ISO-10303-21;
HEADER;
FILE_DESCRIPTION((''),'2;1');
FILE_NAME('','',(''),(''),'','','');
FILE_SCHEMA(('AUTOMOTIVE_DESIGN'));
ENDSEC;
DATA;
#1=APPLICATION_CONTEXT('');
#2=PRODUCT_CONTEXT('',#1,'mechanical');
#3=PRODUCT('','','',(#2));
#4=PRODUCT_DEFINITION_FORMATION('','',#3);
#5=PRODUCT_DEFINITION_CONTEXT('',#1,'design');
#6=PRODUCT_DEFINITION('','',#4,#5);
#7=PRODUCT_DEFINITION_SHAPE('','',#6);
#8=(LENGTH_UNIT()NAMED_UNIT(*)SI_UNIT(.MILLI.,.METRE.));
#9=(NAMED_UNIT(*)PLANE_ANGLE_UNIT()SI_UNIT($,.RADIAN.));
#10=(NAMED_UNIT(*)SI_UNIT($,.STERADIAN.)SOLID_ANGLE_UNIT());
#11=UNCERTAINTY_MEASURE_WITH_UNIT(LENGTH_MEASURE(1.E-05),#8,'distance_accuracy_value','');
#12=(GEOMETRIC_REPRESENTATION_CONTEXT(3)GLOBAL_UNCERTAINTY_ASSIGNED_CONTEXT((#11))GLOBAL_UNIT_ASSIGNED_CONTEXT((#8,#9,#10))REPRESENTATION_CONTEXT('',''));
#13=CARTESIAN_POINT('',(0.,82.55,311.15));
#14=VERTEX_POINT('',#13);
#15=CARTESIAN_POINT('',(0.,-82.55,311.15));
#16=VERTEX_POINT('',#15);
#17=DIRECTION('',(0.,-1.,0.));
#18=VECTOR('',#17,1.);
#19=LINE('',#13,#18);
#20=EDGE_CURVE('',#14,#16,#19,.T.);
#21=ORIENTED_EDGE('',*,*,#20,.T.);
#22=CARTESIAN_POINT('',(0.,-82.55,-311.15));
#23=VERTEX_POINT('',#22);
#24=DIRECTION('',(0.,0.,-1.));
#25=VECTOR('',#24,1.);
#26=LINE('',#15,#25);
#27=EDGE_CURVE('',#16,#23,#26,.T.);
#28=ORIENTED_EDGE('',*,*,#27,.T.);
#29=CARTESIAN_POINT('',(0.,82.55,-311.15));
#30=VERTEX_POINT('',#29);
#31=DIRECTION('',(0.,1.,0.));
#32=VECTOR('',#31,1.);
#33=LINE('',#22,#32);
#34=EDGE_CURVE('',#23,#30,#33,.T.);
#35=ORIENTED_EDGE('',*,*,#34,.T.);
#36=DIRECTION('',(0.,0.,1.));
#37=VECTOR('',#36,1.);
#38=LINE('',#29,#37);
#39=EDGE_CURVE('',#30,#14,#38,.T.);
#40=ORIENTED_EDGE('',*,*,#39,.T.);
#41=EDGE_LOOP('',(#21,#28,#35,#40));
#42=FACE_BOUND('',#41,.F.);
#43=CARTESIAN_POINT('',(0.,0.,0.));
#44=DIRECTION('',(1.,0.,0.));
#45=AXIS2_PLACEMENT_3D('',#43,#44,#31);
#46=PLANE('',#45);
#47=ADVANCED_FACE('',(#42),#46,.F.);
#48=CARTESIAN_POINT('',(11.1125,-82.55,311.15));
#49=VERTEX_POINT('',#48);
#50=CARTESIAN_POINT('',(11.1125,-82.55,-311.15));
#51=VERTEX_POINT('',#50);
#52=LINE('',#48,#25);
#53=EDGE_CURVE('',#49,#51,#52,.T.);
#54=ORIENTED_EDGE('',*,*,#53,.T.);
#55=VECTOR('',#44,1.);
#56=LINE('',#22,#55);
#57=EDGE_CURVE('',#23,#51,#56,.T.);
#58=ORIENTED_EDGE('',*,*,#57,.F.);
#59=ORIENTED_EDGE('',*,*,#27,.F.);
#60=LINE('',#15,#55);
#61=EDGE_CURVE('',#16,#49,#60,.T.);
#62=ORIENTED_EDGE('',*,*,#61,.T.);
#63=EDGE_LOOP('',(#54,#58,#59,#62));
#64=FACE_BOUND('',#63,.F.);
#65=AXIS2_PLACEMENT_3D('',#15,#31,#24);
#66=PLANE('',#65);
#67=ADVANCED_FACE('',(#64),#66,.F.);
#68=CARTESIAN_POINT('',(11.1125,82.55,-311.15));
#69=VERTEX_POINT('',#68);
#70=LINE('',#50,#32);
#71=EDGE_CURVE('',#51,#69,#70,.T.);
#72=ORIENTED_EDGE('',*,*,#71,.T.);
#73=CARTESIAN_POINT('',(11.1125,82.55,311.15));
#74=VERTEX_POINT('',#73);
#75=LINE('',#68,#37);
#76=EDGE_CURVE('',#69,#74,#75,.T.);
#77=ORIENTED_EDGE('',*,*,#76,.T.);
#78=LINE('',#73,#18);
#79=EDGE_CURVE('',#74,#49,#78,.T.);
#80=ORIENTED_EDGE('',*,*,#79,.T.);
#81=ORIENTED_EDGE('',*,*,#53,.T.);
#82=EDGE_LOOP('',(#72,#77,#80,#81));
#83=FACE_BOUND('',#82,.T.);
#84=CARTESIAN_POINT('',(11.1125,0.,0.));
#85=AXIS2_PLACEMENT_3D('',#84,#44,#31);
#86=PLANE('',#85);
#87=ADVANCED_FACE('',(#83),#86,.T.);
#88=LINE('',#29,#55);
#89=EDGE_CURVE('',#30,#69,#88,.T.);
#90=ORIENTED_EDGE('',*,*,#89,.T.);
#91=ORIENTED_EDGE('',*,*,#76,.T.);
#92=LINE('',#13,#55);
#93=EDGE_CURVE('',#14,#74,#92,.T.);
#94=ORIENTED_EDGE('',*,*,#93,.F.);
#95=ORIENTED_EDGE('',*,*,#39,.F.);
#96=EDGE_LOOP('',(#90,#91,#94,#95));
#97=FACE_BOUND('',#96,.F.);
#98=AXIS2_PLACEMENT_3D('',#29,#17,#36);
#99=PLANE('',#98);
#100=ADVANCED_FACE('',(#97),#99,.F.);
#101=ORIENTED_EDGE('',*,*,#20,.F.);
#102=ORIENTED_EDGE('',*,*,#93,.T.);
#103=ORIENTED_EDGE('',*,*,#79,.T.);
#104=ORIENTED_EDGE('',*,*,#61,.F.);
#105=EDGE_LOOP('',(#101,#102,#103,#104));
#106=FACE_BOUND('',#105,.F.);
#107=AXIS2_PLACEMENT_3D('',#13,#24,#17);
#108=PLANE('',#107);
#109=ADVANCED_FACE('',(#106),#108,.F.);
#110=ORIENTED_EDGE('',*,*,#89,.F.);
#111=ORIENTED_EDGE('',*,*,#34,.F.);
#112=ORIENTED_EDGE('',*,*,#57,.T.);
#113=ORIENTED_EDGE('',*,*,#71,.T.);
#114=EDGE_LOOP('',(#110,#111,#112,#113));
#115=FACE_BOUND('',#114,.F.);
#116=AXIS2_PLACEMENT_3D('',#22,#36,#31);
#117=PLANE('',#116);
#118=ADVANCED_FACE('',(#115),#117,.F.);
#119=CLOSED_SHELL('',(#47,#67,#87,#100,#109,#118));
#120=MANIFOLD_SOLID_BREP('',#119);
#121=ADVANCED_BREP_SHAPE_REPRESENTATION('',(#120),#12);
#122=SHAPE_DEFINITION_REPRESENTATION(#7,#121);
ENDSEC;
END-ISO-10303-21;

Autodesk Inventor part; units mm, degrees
ref_plane "YZ Plane" through (0, 0, 0) normal (1, 0, 0) x (0, 1, 0)
ref_plane "XZ Plane" through (0, 0, 0) normal (0, 1, 0) x (-1, 0, 0)
ref_plane "XY Plane" through (0, 0, 0) normal (0, 0, 1) x (1, 0, 0)
sketch "Sketch1" plane through (0, 0, 0) normal (1, 0, 0) x (0, 1, 0)
  line L0 (-82.55, 311.15) -> (-82.55, -311.15)
  line L1 (-82.55, -311.15) -> (82.55, -311.15)
  line L2 (82.55, -311.15) -> (82.55, 311.15)
  line L3 (82.55, 311.15) -> (-82.55, 311.15)
  line L4 (-82.55, 311.15) -> (82.55, -311.15) construction
  line L5 (-82.55, -311.15) -> (82.55, 311.15) construction
  point P0 (0, 0)
  dimension "d0" = 622.3
  dimension "d1" = 165.1
extrude "Extrusion1" add sketch "Sketch1" along normal blind 11.1125
properties part number "Home Depot Composite Slat 24_50 in" material "Wood (Cherry)"
